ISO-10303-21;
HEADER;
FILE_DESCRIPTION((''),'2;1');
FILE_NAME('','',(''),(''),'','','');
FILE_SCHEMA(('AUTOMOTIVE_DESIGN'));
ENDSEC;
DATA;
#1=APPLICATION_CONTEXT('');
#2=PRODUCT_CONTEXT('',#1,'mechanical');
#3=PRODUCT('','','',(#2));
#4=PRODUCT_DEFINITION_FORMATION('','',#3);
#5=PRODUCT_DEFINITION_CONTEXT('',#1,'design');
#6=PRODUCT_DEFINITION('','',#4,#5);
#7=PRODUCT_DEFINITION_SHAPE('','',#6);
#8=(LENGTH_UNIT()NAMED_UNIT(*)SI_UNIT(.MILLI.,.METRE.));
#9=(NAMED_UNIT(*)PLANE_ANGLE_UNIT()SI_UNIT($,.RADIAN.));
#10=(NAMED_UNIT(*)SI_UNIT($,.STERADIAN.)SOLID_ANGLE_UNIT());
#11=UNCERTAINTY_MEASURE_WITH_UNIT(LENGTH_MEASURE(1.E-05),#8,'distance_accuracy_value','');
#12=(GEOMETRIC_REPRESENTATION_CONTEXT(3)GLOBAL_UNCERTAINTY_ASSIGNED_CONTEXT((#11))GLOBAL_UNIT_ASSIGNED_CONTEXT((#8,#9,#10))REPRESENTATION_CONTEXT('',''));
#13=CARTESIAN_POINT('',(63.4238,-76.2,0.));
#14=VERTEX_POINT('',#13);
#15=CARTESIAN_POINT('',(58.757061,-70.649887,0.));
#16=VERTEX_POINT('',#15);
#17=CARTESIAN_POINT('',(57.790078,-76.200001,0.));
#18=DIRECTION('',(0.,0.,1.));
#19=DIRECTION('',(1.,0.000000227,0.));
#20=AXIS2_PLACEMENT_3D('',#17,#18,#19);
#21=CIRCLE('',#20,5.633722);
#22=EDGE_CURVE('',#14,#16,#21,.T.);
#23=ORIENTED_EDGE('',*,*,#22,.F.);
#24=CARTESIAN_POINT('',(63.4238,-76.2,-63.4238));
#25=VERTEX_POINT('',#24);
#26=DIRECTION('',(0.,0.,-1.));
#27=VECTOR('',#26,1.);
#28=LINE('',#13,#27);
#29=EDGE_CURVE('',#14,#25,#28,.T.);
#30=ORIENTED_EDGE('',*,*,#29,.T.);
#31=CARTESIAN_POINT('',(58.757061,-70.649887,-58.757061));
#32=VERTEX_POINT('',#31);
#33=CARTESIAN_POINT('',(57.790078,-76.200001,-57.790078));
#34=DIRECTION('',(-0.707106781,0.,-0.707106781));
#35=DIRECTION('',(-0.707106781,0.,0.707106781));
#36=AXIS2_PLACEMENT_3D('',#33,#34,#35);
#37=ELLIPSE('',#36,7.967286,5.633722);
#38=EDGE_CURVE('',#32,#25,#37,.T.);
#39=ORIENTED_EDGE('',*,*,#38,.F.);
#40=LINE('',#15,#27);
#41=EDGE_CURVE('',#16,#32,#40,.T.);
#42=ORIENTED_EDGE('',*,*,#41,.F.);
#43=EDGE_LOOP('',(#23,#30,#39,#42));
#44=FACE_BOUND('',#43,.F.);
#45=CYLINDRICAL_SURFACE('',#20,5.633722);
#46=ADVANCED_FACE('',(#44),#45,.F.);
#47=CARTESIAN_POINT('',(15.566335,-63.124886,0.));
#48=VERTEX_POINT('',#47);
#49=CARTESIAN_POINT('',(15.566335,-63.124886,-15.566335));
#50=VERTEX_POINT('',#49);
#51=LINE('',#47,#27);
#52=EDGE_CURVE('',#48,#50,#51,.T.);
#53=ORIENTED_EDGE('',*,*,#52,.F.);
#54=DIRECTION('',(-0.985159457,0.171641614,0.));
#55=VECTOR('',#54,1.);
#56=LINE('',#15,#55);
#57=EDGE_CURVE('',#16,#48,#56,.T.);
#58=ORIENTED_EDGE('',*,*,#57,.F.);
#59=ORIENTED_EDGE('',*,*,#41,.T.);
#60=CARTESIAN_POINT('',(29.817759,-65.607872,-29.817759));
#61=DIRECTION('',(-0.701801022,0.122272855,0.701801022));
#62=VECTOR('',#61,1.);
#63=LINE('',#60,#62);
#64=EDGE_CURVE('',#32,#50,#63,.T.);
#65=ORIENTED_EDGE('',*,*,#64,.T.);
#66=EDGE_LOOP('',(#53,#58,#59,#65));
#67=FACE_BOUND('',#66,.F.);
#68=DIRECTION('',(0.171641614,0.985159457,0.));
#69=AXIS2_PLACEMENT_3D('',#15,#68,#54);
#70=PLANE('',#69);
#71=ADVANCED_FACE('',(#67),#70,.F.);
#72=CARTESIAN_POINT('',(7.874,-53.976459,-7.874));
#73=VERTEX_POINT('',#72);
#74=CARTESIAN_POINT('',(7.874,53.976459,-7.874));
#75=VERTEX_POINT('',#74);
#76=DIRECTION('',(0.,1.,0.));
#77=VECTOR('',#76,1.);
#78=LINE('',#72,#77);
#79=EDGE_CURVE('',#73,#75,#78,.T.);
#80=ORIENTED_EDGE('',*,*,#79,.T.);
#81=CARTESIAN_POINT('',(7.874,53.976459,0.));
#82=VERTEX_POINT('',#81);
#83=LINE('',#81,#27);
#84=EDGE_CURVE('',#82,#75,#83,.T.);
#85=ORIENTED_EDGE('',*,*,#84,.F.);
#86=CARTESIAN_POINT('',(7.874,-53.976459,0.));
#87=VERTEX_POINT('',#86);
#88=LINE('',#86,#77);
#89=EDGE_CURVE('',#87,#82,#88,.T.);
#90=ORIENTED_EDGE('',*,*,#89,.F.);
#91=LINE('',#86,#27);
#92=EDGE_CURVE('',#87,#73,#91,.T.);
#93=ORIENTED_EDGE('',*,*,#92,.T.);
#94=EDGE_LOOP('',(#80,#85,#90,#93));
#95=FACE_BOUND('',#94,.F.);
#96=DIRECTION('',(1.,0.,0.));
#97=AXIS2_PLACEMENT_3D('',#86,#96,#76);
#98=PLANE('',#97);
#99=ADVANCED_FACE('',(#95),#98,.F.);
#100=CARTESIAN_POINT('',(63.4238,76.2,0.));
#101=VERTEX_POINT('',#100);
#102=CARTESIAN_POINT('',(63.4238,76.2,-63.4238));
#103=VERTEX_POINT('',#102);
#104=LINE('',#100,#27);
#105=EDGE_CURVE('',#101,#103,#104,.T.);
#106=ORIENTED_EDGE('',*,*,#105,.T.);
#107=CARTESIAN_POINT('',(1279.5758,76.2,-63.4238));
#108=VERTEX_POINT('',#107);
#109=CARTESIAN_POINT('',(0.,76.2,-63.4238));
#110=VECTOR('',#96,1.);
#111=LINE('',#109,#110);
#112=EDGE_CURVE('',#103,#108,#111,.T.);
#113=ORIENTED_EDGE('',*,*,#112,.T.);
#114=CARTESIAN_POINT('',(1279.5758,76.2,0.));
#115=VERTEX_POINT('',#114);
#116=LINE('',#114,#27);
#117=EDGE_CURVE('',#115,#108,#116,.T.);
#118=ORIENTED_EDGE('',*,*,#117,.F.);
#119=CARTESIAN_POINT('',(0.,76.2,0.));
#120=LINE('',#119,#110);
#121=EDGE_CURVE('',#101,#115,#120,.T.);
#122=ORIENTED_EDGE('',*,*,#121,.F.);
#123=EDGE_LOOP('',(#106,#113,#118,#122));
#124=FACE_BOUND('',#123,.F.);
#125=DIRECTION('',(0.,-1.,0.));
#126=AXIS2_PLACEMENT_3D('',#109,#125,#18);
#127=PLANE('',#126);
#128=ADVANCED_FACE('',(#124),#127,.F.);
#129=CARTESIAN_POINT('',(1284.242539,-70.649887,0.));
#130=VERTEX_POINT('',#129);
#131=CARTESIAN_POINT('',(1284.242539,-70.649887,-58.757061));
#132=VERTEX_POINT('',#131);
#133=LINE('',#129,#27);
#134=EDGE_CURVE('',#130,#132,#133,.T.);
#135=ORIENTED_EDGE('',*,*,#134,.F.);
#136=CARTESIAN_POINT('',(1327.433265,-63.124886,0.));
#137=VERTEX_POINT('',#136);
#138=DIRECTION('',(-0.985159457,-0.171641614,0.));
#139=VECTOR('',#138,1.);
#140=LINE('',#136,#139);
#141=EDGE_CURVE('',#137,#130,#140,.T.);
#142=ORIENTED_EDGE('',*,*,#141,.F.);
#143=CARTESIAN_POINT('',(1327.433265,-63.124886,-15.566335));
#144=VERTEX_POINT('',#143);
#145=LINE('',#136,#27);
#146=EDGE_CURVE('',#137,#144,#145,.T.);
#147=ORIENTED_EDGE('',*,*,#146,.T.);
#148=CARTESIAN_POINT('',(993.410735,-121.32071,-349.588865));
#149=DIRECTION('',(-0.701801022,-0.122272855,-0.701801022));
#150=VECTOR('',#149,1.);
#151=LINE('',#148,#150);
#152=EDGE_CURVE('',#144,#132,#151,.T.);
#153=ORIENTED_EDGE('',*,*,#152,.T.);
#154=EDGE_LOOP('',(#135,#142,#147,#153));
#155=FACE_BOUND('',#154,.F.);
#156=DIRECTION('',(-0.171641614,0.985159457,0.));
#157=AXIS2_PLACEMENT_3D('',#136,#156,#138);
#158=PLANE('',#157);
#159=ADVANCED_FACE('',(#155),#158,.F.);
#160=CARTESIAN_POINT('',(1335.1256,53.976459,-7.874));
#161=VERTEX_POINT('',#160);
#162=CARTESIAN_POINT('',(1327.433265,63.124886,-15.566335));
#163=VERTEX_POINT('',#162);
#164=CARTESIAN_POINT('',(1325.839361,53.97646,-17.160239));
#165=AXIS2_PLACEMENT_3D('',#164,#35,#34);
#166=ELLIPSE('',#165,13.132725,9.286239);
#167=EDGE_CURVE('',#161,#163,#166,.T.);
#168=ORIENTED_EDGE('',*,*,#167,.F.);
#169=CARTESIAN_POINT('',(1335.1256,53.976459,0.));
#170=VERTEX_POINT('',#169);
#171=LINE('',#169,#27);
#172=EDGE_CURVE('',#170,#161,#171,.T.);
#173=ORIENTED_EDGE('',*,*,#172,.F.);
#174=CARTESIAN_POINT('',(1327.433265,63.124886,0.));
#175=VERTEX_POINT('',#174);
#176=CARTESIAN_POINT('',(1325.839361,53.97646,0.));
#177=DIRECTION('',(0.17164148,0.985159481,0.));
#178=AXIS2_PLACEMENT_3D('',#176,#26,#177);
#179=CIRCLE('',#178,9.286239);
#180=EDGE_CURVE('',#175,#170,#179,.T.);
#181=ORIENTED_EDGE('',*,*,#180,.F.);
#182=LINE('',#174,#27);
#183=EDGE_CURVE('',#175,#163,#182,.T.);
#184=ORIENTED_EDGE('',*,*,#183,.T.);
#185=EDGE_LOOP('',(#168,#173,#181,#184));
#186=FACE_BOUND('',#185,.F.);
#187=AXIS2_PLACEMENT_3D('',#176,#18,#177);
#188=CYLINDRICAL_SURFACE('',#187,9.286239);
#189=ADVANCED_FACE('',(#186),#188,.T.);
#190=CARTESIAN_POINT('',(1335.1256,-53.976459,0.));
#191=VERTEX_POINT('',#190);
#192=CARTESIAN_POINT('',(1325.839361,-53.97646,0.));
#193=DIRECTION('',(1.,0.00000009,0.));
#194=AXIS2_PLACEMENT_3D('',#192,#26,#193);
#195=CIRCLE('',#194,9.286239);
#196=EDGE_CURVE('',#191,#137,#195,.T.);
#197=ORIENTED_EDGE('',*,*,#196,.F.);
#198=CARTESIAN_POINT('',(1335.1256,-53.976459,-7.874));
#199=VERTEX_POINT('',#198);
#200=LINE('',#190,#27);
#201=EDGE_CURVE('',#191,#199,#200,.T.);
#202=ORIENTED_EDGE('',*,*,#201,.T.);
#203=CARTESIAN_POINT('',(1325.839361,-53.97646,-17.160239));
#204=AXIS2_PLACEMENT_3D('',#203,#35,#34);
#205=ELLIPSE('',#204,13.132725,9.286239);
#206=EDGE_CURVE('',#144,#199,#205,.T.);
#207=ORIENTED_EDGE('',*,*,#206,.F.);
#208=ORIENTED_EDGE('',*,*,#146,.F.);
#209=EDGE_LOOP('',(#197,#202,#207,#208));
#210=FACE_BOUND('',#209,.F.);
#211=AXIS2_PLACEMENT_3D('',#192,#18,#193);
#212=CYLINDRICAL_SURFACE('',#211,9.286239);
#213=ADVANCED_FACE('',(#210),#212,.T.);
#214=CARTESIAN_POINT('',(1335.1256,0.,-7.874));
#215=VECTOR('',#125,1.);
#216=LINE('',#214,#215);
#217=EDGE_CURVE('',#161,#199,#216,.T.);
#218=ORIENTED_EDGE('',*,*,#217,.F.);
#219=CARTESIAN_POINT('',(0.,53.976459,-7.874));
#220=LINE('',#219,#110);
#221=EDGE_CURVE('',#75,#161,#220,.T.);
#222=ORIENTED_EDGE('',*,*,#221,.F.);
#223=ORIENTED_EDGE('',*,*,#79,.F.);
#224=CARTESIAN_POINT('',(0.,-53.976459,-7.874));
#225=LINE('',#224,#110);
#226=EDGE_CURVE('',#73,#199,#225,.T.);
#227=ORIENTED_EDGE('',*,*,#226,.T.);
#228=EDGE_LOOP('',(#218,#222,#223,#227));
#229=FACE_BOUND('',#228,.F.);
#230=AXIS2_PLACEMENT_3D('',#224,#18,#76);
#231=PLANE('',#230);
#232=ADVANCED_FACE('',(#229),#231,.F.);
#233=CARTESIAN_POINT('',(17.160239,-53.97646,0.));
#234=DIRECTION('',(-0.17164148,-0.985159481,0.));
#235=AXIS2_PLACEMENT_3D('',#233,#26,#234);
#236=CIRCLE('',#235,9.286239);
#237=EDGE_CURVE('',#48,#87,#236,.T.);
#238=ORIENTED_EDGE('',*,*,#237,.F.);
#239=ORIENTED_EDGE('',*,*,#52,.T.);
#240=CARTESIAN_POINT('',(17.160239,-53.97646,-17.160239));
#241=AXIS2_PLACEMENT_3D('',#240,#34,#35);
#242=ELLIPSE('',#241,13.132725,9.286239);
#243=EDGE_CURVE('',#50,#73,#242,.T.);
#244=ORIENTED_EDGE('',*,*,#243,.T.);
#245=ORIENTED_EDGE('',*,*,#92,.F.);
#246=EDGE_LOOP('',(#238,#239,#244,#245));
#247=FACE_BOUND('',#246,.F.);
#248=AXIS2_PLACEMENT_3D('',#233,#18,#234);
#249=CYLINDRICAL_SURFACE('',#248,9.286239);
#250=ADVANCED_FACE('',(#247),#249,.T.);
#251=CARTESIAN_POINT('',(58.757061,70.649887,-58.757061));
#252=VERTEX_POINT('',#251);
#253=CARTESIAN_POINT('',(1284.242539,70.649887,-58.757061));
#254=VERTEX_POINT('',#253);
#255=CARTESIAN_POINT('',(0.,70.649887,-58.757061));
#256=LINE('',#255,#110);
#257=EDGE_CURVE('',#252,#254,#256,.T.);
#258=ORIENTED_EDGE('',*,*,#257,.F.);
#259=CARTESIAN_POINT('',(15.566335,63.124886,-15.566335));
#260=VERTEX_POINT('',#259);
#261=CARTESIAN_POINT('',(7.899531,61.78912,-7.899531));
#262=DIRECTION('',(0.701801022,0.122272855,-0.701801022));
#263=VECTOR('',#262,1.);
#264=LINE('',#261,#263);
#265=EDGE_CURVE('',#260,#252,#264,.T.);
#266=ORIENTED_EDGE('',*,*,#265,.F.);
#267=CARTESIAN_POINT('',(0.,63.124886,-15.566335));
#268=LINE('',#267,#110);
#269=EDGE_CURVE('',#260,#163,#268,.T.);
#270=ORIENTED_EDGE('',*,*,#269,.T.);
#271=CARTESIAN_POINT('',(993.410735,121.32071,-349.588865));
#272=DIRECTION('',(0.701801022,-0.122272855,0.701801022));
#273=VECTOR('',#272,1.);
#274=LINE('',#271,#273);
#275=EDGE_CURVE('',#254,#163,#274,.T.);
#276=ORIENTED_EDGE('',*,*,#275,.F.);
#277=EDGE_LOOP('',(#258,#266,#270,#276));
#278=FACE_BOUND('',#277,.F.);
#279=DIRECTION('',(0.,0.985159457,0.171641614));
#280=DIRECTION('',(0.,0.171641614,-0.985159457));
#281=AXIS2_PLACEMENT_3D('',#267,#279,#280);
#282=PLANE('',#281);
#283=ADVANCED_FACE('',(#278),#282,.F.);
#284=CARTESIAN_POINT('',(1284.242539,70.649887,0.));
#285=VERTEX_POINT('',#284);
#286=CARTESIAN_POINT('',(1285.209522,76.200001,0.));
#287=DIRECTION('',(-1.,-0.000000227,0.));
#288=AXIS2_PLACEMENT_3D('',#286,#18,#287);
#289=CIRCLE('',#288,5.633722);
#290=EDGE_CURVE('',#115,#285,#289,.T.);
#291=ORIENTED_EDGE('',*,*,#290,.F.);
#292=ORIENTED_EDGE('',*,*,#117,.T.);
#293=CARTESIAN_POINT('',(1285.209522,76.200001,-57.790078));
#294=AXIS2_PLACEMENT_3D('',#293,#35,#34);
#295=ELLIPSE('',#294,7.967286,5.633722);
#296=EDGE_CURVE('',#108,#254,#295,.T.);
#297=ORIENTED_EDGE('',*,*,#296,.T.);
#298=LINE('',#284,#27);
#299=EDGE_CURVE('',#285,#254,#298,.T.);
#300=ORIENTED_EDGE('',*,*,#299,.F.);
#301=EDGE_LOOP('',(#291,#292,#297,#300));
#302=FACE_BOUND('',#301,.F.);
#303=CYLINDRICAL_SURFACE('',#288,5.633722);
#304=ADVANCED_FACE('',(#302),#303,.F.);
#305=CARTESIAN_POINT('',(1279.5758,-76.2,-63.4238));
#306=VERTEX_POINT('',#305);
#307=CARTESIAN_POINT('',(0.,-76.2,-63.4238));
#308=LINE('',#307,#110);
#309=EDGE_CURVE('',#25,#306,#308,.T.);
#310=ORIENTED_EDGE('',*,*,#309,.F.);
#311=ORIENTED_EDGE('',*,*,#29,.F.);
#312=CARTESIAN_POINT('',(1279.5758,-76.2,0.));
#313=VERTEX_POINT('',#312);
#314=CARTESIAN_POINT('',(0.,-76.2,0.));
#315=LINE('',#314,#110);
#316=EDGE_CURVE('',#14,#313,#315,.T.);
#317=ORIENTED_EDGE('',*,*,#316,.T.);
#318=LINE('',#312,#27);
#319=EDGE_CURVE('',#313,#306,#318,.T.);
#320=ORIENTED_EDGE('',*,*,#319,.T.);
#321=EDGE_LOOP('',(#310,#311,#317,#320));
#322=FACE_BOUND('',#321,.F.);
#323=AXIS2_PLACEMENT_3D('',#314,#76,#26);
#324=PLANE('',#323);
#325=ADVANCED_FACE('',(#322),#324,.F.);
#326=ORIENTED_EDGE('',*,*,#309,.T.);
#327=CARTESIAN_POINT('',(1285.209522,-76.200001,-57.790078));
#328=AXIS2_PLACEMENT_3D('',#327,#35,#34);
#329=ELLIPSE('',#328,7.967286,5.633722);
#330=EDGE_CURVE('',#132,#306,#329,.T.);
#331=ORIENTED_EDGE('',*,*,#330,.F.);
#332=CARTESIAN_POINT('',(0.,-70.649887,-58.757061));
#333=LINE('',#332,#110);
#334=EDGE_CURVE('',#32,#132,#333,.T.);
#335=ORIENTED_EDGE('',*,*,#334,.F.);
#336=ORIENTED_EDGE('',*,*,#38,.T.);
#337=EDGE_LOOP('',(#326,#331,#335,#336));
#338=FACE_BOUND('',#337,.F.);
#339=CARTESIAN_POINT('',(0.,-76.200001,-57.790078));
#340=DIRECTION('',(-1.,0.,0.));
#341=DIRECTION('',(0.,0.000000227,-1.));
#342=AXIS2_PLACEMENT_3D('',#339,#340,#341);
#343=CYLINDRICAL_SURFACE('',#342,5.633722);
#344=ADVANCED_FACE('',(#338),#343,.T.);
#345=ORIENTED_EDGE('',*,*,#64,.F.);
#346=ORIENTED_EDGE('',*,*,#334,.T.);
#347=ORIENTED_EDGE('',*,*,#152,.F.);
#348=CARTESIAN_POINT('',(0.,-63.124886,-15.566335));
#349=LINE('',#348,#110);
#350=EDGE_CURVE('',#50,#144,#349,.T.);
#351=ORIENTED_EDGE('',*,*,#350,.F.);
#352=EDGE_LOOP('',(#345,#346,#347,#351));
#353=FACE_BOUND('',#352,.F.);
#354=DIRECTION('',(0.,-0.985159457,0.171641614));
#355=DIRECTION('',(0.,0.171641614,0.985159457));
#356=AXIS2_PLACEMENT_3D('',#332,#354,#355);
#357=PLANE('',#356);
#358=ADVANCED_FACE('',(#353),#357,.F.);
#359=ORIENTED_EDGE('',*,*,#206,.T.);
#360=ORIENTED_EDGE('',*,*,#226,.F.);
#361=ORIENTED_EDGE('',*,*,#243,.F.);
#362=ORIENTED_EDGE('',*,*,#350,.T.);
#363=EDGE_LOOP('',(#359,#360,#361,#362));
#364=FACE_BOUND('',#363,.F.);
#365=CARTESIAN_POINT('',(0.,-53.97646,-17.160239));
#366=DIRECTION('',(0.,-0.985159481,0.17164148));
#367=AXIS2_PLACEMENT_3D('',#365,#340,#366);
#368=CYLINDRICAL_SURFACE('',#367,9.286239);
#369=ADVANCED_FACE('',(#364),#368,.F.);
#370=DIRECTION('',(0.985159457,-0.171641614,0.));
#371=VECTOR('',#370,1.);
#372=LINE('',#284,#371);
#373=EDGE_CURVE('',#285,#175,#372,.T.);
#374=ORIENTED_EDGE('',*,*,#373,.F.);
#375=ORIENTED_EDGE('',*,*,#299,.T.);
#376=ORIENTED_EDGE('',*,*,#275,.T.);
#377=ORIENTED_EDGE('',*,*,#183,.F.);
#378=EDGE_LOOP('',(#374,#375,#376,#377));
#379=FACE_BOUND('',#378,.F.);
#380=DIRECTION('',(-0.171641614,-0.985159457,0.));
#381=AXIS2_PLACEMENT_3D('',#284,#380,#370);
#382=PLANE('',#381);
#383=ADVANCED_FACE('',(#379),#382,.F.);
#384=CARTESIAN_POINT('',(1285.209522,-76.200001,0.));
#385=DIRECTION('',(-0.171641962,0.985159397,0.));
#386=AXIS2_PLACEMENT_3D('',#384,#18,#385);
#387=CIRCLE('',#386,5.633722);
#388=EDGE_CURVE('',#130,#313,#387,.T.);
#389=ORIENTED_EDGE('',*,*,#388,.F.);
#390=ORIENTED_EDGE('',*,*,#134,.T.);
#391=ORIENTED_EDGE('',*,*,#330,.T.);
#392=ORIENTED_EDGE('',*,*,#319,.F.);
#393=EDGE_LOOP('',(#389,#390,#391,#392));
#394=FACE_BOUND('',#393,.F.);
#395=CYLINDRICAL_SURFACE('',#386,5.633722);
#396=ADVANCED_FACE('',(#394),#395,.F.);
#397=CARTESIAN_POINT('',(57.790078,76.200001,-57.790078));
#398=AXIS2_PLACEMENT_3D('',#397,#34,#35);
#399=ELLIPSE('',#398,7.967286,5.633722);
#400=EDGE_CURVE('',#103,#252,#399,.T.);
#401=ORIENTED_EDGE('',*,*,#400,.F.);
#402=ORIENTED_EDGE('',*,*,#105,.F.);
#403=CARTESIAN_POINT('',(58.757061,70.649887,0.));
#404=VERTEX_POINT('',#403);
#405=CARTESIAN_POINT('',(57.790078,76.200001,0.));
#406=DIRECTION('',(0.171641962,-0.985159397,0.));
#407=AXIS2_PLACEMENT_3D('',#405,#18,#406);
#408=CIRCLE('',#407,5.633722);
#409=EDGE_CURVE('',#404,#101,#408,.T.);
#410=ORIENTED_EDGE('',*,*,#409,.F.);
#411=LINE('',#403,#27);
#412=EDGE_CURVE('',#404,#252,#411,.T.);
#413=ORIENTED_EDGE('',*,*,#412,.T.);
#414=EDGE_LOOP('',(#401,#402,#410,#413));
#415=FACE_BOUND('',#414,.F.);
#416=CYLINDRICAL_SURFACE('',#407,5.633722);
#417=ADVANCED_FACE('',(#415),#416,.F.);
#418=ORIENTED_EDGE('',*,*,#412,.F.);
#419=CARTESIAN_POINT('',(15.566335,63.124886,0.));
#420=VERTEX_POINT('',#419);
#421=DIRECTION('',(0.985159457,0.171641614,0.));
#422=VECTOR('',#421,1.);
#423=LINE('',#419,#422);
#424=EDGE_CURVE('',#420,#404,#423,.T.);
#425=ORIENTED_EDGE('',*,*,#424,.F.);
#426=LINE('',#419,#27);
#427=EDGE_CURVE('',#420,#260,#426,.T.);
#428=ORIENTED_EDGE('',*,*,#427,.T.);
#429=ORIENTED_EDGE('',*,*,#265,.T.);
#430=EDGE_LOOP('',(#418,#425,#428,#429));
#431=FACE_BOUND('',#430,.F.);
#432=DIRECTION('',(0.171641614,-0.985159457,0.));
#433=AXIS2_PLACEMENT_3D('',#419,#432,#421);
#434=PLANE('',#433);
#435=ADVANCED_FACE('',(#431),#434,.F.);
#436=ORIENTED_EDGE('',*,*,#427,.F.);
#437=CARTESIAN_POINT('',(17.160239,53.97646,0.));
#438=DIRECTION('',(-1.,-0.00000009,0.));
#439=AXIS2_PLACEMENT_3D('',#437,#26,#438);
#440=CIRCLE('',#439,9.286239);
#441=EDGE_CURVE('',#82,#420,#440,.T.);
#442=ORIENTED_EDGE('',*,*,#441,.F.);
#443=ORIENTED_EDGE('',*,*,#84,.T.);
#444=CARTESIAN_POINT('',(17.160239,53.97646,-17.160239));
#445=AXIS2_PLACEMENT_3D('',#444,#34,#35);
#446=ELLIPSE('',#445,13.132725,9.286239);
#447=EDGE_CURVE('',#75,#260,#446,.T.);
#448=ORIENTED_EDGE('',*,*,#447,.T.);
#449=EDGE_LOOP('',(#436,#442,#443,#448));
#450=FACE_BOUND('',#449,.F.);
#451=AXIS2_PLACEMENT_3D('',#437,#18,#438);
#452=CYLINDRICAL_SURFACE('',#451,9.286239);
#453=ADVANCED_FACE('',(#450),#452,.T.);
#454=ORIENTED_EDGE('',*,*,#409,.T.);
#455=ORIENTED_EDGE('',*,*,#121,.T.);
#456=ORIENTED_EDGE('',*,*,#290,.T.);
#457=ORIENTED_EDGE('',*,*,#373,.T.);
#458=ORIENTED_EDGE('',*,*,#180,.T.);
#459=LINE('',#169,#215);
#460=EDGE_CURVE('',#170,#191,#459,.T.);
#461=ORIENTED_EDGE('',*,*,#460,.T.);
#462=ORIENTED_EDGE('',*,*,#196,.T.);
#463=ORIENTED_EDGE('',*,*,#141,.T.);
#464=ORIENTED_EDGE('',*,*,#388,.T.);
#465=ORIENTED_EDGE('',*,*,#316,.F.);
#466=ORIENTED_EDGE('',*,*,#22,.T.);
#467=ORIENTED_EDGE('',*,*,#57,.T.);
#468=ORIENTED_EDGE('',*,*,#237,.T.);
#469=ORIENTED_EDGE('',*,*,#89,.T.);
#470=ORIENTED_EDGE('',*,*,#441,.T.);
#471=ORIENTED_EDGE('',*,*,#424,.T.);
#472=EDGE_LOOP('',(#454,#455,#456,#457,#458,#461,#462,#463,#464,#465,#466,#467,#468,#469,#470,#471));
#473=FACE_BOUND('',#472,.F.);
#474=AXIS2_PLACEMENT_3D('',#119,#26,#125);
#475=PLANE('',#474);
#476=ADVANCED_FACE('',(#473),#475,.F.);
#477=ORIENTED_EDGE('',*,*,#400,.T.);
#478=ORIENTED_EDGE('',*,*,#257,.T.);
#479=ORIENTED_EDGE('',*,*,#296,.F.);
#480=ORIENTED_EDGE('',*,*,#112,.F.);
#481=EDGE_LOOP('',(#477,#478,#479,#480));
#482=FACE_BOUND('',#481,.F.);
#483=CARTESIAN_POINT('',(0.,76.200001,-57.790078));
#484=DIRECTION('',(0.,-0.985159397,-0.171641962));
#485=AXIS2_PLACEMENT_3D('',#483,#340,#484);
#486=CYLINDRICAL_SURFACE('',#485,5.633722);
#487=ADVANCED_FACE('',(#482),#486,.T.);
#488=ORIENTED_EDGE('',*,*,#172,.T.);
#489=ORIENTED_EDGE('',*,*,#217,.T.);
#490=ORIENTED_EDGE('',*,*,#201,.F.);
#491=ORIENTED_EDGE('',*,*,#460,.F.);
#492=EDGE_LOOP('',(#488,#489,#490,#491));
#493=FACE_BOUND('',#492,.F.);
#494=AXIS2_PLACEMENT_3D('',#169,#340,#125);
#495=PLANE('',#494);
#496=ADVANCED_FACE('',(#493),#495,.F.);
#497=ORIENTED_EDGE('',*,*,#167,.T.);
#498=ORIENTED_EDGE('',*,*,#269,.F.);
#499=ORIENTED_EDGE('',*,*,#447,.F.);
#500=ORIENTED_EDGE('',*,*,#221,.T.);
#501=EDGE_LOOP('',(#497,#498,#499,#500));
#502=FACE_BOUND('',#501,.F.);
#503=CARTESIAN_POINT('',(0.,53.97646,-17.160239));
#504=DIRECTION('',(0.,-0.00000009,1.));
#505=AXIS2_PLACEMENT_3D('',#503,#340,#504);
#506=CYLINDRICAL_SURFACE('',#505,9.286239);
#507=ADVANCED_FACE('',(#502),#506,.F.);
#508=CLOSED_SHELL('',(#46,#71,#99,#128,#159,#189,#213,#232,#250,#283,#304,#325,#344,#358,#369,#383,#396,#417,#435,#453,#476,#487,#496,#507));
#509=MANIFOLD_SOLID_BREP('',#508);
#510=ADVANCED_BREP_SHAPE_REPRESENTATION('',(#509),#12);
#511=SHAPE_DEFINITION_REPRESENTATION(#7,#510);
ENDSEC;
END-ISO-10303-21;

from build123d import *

# Parameters (mm, degrees)
F1_DEPTH = 1342.9996
F3_DEPTH = 63.4248


with BuildPart() as f1:
    # F0 (on Right) → F1 (new body)
    with BuildSketch(Plane.YZ):
        with BuildLine():
            Line((76.2, 0), (-76.2, 0))
            Line((-76.2, 0), (-76.2, -63.4238))
            ThreePointArc((-76.2, -63.4238), (-72.574321, -62.102069), (-70.649887, -58.757061))
            Line((-70.649887, -58.757061), (-63.124886, -15.566335))
            ThreePointArc((-63.124886, -15.566335), (-59.952782, -10.052651), (-53.976459, -7.874))
            Line((-53.976459, -7.874), (53.976459, -7.874))
            ThreePointArc((53.976459, -7.874), (59.952782, -10.052651), (63.124886, -15.566335))
            Line((63.124886, -15.566335), (70.649887, -58.757061))
            ThreePointArc((70.649887, -58.757061), (72.574321, -62.102069), (76.2, -63.4238))
            Line((76.2, -63.4238), (76.2, 0))
        make_face()
    extrude(amount=F1_DEPTH)

    # F2 (on face) → F3 (cut, through all)
    with BuildSketch(Plane.XY):
        with BuildLine():
            Line((1342.9996, -76.2), (1342.9996, 76.2))
            Line((1342.9996, 76.2), (1279.5758, 76.2))
            ThreePointArc((1279.5758, 76.2), (1280.897531, 72.574321), (1284.242539, 70.649887))
            Line((1284.242539, 70.649887), (1327.433265, 63.124886))
            ThreePointArc((1327.433265, 63.124886), (1332.946949, 59.952782), (1335.1256, 53.976459))
            Line((1335.1256, 53.976459), (1335.1256, -53.976459))
            ThreePointArc((1335.1256, -53.976459), (1332.946949, -59.952782), (1327.433265, -63.124886))
            Line((1327.433265, -63.124886), (1284.242539, -70.649887))
            ThreePointArc((1284.242539, -70.649887), (1280.897531, -72.574321), (1279.5758, -76.2))
            Line((1279.5758, -76.2), (1342.9996, -76.2))
        make_face()
        with BuildLine():
            Line((7.874, -53.976459), (7.874, 53.976459))
            ThreePointArc((7.874, 53.976459), (10.052651, 59.952782), (15.566335, 63.124886))
            Line((15.566335, 63.124886), (58.757061, 70.649887))
            ThreePointArc((58.757061, 70.649887), (62.102069, 72.574321), (63.4238, 76.2))
            Line((63.4238, 76.2), (0, 76.2))
            Line((0, 76.2), (0, -76.2))
            Line((0, -76.2), (63.4238, -76.2))
            ThreePointArc((63.4238, -76.2), (62.102069, -72.574321), (58.757061, -70.649887))
            Line((58.757061, -70.649887), (15.566335, -63.124886))
            ThreePointArc((15.566335, -63.124886), (10.052651, -59.952782), (7.874, -53.976459))
        make_face()
    extrude(amount=-F3_DEPTH, mode=Mode.SUBTRACT)


solid = f1.part
